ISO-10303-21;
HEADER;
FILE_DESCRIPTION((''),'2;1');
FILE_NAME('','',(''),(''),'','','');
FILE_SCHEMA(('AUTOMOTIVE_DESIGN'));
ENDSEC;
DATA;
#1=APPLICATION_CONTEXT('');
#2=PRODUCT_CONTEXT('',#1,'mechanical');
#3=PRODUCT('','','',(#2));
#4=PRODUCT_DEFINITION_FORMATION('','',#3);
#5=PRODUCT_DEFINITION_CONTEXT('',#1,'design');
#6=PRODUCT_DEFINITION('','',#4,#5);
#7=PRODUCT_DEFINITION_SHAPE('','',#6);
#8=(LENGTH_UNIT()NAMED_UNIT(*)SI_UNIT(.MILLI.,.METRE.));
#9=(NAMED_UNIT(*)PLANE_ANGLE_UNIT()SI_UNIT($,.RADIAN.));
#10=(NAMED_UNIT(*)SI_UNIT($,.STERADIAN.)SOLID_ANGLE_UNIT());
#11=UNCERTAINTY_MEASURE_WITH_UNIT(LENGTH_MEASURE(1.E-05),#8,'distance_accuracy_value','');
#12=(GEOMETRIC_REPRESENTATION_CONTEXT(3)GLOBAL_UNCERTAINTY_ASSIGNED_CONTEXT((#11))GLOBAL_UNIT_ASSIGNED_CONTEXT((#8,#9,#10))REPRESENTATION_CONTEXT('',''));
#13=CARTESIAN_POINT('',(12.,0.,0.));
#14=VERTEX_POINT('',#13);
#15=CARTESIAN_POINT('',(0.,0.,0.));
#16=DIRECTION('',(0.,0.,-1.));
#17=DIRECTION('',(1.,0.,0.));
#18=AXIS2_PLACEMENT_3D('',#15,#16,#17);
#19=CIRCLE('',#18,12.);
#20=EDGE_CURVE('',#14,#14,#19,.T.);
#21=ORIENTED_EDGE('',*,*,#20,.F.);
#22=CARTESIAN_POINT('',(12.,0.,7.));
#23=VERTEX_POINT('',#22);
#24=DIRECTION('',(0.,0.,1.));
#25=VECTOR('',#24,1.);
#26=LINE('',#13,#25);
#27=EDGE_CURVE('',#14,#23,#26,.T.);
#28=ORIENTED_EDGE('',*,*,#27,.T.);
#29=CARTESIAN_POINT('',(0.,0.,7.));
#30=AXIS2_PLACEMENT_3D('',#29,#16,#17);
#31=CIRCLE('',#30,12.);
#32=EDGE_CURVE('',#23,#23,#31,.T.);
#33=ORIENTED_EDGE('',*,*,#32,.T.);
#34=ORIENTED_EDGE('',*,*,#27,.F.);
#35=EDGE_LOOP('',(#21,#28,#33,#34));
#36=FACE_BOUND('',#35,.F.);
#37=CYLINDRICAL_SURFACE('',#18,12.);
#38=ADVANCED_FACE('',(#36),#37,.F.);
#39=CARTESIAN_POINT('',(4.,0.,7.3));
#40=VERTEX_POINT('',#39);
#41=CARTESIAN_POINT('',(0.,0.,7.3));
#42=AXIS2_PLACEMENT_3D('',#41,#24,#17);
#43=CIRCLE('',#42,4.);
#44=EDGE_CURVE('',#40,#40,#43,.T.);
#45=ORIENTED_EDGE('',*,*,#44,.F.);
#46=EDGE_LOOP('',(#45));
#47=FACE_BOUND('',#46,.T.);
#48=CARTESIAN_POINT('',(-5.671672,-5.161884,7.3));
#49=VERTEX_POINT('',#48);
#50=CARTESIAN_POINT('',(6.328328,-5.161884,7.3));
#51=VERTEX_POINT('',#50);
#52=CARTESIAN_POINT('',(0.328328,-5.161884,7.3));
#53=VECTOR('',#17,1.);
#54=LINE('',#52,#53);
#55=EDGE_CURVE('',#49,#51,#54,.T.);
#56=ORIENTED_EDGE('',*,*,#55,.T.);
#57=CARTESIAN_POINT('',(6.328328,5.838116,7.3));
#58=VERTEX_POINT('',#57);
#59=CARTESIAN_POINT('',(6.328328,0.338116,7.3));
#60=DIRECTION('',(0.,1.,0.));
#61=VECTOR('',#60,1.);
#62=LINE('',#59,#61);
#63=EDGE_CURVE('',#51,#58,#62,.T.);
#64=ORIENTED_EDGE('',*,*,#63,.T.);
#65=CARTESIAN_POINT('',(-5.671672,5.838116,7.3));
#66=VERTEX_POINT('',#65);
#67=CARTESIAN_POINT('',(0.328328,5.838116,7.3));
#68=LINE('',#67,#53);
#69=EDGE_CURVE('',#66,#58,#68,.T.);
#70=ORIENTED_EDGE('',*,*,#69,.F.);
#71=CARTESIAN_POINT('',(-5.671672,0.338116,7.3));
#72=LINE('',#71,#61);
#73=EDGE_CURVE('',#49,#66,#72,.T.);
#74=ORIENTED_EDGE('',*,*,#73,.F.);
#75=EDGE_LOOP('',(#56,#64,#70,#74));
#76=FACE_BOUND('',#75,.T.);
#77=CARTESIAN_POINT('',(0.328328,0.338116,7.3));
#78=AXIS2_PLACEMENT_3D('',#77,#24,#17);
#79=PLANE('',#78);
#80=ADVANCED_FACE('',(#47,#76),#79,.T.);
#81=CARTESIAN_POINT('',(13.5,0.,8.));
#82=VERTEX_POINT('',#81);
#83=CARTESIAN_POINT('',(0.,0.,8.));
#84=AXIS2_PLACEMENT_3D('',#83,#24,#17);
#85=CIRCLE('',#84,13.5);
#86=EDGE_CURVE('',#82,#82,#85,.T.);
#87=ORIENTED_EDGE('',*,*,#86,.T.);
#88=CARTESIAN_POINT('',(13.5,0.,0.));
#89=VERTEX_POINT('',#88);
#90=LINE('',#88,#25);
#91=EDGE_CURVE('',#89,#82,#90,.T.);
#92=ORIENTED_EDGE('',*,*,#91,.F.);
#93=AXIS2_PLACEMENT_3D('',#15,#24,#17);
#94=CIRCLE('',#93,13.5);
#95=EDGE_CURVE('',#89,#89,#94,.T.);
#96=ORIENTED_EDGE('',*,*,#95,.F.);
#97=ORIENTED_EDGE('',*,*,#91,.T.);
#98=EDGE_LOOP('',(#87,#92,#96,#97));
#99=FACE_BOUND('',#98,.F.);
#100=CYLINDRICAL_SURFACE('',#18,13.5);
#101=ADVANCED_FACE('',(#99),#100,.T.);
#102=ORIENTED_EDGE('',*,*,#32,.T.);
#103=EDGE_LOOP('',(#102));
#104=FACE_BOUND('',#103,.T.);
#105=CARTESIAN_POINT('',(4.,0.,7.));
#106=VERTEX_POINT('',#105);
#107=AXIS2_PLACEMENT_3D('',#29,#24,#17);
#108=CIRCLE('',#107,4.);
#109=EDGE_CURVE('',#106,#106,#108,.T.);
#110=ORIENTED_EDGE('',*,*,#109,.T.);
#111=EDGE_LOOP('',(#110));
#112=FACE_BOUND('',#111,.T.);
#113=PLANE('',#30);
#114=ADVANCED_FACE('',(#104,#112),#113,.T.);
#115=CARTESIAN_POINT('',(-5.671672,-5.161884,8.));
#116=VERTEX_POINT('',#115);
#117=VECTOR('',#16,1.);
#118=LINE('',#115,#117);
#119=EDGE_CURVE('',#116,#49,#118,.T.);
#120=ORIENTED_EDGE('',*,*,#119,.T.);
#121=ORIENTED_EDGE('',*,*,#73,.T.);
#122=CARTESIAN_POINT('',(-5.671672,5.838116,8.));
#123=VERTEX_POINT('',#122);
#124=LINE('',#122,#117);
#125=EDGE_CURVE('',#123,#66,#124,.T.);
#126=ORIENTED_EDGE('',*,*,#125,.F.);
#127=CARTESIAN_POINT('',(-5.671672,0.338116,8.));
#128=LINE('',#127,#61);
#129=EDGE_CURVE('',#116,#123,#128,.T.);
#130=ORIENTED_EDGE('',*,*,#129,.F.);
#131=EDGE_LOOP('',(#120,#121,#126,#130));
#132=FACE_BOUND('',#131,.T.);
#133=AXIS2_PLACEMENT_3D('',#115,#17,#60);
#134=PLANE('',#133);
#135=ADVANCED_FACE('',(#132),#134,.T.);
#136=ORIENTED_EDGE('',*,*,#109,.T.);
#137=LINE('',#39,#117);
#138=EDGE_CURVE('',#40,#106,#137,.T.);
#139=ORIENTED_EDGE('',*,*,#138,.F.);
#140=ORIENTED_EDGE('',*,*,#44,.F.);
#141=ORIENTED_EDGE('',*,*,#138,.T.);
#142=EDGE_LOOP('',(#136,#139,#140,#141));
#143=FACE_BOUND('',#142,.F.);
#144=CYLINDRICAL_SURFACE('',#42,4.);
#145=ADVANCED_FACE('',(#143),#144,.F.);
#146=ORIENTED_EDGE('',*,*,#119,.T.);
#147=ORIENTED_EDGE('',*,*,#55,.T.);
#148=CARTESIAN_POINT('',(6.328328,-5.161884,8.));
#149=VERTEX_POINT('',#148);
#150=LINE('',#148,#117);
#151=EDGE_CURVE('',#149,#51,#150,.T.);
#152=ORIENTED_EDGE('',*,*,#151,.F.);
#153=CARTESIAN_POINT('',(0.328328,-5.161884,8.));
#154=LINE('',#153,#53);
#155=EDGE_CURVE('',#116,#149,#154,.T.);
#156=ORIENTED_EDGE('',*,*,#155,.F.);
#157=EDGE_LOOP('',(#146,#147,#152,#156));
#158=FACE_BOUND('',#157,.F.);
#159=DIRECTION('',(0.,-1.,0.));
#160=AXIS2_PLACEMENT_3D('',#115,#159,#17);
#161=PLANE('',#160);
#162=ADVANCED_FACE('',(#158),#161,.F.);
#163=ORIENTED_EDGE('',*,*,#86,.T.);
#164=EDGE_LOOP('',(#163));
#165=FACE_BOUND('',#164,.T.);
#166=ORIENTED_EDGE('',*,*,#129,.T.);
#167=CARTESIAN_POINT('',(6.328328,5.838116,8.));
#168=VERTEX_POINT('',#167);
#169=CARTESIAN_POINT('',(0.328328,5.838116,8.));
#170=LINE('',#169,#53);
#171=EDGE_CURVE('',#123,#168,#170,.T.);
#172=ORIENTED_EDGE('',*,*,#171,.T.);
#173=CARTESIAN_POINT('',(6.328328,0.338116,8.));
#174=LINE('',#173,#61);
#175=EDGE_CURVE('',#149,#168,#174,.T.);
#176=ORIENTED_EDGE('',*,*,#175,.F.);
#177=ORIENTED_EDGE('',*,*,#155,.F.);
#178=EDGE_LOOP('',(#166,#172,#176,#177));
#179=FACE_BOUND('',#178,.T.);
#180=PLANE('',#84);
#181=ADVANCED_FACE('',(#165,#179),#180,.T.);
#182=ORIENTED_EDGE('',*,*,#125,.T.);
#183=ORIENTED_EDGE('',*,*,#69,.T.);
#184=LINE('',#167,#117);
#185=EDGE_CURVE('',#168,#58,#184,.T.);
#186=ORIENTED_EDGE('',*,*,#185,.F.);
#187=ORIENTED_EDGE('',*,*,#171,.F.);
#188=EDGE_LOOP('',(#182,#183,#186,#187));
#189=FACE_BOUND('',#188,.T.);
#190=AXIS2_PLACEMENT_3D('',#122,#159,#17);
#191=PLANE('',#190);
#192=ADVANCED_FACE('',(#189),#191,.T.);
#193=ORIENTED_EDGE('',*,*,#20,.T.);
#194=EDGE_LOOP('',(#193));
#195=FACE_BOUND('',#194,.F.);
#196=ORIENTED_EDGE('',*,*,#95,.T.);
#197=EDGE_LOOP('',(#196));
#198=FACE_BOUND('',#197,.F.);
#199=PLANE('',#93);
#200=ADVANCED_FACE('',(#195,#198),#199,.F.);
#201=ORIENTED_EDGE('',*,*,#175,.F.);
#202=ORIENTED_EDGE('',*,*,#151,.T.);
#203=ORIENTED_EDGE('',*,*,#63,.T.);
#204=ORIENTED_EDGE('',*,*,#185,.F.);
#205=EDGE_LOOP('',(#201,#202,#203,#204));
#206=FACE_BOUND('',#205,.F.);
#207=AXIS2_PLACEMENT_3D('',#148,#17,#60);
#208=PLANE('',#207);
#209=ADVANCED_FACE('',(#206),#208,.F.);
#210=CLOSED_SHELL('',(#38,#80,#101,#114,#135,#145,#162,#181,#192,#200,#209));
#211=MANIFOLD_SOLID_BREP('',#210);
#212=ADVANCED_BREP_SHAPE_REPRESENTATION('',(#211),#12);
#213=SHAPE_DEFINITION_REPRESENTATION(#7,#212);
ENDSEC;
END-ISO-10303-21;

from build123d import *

# Parameters (mm, degrees)
F0_R     = 13.5
F1_DEPTH = 8
F2_R     = 12
F3_DEPTH = 7
F4_W     = 12
F4_H     = 11
F5_DEPTH = 0.7
F6_R     = 4
F7_DEPTH = 0.3


with BuildPart() as f1:
    # F0 (on Top) → F1 (new body)
    with BuildSketch(Plane.XY):
        Circle(F0_R)
    extrude(amount=F1_DEPTH)

    # F2 (on face) → F3 (cut)
    with BuildSketch(Plane(origin=(0, 0, 0), x_dir=(1, 0, 0), z_dir=(0, 0, -1))):
        Circle(F2_R)
    extrude(amount=-F3_DEPTH, mode=Mode.SUBTRACT)

    # F4 (on face) → F5 (cut)
    with BuildSketch(Plane.XY.offset(8)):
        with Locations((0.328328, 0.338116)):
            Rectangle(F4_W, F4_H)
    extrude(amount=-F5_DEPTH, mode=Mode.SUBTRACT)

    # F6 (on face) → F7 (cut)
    with BuildSketch(Plane.XY.offset(7.3)):
        Circle(F6_R)
    extrude(amount=-F7_DEPTH, mode=Mode.SUBTRACT)


solid = f1.part
